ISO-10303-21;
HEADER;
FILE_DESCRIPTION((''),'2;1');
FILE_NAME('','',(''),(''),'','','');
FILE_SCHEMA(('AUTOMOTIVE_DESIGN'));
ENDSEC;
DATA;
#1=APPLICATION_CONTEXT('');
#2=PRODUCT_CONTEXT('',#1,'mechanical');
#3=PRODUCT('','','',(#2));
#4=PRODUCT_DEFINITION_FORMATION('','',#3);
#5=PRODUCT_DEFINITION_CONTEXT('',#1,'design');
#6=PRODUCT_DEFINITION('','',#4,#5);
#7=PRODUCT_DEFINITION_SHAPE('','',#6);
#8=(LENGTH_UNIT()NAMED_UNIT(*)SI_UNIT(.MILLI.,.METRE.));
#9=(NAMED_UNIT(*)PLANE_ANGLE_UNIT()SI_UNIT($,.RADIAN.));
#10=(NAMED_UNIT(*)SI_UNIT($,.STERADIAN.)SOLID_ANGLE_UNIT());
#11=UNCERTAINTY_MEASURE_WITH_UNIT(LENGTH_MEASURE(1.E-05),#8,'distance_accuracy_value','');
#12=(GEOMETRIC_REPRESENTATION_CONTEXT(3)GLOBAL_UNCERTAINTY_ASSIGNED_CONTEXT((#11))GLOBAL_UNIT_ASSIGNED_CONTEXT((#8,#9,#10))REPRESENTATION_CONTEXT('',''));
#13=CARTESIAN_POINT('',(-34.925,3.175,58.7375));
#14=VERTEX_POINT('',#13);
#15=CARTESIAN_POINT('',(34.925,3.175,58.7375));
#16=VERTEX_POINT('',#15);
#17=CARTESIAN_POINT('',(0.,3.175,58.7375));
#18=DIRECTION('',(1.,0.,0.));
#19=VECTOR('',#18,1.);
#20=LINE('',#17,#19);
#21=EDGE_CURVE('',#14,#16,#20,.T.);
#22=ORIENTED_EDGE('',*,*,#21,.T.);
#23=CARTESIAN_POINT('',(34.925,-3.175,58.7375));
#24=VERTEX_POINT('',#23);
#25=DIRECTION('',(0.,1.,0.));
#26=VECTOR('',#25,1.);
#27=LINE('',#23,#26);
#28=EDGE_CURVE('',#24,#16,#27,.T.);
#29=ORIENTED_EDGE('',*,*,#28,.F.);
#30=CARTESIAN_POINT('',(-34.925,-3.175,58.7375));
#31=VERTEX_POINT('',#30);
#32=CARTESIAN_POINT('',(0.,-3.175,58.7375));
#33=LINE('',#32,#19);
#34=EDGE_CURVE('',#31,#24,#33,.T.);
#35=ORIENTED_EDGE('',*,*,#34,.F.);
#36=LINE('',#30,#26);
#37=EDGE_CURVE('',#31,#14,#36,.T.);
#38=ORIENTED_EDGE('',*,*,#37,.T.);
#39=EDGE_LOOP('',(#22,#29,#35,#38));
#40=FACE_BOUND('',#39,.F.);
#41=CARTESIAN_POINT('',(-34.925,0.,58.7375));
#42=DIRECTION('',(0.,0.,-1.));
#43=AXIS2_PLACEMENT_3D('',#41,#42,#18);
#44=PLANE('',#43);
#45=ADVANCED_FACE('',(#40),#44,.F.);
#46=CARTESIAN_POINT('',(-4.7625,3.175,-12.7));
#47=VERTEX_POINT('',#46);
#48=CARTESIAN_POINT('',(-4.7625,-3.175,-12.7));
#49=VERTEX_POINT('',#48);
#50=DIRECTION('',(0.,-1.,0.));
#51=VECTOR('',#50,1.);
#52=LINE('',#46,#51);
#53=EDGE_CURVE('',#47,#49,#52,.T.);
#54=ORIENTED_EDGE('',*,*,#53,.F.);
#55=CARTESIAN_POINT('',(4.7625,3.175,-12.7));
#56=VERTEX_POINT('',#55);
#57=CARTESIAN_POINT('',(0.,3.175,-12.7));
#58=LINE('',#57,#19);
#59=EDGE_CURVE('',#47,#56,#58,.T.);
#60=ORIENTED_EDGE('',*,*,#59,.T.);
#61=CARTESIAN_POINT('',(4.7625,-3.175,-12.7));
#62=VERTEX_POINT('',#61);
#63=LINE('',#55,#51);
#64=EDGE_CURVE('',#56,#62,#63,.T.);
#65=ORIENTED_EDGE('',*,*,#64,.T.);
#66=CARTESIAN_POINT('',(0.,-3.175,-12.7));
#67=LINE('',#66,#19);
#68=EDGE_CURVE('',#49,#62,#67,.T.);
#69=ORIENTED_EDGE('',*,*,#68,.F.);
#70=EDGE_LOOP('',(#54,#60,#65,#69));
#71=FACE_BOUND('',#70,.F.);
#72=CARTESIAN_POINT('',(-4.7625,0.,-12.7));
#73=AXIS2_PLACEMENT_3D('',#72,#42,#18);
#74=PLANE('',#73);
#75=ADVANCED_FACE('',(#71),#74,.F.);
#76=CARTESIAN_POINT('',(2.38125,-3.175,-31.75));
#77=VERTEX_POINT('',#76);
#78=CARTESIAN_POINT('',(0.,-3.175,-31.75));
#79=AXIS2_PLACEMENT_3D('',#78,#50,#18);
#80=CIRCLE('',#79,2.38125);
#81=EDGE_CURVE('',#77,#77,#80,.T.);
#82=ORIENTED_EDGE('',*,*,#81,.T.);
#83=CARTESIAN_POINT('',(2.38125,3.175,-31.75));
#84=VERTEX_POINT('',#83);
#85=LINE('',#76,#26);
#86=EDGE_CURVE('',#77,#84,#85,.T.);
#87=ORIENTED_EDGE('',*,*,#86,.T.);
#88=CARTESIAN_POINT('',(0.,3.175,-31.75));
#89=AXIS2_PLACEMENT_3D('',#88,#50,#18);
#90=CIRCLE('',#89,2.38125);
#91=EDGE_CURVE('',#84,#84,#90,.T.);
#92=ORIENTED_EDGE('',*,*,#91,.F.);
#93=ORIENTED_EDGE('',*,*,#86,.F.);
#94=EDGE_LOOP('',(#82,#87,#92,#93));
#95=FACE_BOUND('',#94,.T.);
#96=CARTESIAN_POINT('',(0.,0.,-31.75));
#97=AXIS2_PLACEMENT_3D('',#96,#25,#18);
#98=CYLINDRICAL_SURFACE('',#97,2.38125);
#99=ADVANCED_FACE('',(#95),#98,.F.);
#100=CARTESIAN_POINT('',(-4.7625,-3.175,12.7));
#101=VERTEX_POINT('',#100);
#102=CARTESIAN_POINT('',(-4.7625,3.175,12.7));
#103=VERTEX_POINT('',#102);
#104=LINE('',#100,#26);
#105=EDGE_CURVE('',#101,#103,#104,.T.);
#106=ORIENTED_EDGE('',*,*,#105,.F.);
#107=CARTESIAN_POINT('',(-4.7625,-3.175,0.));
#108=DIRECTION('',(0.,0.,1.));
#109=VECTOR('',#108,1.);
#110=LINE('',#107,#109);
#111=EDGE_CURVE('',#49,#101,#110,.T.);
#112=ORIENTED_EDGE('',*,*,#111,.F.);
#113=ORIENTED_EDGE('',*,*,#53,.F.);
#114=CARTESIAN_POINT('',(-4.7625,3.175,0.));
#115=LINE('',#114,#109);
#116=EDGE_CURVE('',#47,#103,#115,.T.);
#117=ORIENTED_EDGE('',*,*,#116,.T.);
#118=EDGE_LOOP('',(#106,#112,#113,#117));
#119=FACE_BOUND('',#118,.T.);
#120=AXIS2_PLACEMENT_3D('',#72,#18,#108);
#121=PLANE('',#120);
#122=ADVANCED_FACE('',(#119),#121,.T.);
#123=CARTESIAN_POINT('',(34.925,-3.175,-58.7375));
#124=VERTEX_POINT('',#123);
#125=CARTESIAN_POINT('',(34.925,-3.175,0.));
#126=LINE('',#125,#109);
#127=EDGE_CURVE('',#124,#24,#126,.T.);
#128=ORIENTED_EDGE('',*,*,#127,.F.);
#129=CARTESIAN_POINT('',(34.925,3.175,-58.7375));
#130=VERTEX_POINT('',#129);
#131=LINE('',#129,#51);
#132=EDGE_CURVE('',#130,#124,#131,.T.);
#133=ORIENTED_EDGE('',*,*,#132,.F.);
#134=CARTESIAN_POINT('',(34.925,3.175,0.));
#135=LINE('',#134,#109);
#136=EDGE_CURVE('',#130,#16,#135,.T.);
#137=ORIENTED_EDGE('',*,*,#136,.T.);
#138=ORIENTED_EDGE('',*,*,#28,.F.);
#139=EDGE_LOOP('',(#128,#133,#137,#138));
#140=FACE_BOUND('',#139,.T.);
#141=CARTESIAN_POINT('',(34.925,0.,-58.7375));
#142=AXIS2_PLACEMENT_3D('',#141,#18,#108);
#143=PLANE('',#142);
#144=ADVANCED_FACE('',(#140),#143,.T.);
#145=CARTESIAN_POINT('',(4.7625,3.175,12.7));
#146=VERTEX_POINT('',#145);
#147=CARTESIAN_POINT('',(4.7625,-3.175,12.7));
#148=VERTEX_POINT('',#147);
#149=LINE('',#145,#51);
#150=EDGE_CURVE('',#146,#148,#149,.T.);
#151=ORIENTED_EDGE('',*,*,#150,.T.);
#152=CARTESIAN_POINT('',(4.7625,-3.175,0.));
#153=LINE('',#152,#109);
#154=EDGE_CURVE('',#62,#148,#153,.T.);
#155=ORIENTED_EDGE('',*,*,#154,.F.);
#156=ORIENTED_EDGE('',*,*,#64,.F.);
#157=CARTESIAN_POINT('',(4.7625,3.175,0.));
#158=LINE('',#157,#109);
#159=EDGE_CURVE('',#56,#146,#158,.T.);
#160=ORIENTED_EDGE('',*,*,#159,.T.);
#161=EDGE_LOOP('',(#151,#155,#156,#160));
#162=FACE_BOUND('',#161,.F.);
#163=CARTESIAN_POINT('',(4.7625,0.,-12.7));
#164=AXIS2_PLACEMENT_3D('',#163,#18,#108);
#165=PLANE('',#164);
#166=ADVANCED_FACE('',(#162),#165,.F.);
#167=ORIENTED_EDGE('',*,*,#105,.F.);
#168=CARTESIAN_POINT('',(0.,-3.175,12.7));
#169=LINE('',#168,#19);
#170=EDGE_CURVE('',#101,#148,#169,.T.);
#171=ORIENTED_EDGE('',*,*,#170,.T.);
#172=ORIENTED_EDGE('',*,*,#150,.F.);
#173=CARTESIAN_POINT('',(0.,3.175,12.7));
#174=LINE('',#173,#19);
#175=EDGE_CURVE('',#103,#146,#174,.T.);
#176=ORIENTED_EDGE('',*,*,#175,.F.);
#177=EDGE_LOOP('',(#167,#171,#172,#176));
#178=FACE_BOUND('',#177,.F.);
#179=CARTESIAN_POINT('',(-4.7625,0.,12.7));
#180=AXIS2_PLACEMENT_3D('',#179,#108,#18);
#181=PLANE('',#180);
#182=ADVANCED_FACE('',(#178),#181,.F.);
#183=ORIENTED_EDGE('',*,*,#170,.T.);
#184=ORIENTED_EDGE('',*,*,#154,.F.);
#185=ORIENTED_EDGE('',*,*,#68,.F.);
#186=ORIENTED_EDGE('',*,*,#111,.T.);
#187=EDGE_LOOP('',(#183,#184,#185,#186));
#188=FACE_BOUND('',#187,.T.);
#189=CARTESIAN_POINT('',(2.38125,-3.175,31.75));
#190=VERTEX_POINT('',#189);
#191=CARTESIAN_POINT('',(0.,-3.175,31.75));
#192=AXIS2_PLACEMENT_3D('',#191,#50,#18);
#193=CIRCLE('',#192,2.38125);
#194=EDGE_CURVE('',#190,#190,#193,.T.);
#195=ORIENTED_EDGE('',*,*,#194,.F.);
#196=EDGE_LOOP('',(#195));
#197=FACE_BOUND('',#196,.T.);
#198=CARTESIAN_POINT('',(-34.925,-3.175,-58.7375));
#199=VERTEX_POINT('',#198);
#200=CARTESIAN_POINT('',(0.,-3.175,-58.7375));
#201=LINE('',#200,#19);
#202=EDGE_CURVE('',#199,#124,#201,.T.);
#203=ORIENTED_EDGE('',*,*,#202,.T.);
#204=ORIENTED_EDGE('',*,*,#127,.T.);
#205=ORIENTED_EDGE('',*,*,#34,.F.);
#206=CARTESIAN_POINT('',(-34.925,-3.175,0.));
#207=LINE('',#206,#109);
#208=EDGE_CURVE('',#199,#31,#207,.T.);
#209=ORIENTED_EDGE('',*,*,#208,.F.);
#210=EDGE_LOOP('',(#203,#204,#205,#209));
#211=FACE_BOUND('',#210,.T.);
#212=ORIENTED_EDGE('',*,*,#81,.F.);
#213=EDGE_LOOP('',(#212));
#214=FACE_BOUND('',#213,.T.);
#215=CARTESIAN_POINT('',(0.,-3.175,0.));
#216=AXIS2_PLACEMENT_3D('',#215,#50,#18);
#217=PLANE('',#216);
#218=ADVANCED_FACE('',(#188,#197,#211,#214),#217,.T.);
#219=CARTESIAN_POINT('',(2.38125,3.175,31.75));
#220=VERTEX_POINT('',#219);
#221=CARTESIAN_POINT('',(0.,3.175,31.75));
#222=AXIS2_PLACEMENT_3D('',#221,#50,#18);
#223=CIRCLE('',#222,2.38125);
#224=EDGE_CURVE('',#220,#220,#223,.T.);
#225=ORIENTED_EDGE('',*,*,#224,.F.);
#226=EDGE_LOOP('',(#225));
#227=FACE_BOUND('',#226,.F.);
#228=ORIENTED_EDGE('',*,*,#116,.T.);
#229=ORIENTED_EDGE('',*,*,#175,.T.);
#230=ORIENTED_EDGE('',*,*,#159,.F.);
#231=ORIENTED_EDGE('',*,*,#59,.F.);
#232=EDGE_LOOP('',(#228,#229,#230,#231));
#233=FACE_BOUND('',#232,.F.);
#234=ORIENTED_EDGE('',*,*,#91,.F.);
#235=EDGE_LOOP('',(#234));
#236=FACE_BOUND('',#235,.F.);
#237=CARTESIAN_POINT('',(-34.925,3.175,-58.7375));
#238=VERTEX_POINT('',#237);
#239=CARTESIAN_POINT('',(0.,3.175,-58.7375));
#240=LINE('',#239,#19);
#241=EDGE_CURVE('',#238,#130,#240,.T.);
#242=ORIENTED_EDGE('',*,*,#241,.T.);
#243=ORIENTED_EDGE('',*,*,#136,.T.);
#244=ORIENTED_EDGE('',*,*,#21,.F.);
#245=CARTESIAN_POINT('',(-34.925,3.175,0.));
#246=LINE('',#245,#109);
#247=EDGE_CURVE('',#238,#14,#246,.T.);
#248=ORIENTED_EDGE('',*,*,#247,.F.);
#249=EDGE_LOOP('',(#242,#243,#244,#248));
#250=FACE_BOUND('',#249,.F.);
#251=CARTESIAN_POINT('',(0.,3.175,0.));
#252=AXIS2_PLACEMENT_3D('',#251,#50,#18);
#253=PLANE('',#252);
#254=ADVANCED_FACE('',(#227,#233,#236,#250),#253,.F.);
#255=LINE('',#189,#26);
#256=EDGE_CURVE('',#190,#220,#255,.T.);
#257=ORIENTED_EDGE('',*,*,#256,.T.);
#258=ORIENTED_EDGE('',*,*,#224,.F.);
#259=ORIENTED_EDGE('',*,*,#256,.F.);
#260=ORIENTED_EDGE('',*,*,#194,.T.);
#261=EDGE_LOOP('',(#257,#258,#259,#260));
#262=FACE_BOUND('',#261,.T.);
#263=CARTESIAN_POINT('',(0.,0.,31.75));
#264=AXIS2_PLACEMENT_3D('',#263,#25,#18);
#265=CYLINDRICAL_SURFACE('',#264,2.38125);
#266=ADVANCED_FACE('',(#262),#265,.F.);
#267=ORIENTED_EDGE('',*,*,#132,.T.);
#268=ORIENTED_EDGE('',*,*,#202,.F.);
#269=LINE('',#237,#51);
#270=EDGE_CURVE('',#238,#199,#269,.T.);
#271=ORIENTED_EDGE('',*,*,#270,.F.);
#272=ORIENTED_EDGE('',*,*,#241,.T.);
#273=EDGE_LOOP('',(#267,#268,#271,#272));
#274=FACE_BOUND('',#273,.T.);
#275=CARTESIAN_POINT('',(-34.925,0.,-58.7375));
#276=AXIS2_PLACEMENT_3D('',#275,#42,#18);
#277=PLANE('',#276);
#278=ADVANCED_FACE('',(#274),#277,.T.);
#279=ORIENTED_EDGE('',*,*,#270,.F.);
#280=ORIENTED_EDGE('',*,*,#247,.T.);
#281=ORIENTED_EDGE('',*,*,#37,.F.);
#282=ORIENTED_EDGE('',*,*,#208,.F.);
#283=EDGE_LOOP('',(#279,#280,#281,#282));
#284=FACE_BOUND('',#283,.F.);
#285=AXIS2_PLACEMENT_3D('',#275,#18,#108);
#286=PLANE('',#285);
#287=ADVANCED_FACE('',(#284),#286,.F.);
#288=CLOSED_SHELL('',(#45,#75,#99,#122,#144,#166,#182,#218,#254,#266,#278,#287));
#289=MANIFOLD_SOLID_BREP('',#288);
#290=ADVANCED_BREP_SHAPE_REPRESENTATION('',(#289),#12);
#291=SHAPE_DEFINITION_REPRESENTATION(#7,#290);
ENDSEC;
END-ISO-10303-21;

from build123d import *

# Parameters (mm, degrees)
F0_W     = 69.85
F0_H     = 117.475
F0_R     = 2.38125
F0_W_2   = 9.525
F0_H_2   = 25.4
F1_DEPTH = 3.175


with BuildPart() as f1:
    # F0 (on Front) → F1 (new body, symmetric)
    with BuildSketch(Plane.XZ):
        Rectangle(F0_W, F0_H)
        with Locations((0, -31.75)):
            Circle(F0_R, mode=Mode.SUBTRACT)
        Rectangle(F0_W_2, F0_H_2, mode=Mode.SUBTRACT)
        with Locations((0, 31.75)):
            Circle(F0_R, mode=Mode.SUBTRACT)
    extrude(amount=F1_DEPTH, both=True)


solid = f1.part
